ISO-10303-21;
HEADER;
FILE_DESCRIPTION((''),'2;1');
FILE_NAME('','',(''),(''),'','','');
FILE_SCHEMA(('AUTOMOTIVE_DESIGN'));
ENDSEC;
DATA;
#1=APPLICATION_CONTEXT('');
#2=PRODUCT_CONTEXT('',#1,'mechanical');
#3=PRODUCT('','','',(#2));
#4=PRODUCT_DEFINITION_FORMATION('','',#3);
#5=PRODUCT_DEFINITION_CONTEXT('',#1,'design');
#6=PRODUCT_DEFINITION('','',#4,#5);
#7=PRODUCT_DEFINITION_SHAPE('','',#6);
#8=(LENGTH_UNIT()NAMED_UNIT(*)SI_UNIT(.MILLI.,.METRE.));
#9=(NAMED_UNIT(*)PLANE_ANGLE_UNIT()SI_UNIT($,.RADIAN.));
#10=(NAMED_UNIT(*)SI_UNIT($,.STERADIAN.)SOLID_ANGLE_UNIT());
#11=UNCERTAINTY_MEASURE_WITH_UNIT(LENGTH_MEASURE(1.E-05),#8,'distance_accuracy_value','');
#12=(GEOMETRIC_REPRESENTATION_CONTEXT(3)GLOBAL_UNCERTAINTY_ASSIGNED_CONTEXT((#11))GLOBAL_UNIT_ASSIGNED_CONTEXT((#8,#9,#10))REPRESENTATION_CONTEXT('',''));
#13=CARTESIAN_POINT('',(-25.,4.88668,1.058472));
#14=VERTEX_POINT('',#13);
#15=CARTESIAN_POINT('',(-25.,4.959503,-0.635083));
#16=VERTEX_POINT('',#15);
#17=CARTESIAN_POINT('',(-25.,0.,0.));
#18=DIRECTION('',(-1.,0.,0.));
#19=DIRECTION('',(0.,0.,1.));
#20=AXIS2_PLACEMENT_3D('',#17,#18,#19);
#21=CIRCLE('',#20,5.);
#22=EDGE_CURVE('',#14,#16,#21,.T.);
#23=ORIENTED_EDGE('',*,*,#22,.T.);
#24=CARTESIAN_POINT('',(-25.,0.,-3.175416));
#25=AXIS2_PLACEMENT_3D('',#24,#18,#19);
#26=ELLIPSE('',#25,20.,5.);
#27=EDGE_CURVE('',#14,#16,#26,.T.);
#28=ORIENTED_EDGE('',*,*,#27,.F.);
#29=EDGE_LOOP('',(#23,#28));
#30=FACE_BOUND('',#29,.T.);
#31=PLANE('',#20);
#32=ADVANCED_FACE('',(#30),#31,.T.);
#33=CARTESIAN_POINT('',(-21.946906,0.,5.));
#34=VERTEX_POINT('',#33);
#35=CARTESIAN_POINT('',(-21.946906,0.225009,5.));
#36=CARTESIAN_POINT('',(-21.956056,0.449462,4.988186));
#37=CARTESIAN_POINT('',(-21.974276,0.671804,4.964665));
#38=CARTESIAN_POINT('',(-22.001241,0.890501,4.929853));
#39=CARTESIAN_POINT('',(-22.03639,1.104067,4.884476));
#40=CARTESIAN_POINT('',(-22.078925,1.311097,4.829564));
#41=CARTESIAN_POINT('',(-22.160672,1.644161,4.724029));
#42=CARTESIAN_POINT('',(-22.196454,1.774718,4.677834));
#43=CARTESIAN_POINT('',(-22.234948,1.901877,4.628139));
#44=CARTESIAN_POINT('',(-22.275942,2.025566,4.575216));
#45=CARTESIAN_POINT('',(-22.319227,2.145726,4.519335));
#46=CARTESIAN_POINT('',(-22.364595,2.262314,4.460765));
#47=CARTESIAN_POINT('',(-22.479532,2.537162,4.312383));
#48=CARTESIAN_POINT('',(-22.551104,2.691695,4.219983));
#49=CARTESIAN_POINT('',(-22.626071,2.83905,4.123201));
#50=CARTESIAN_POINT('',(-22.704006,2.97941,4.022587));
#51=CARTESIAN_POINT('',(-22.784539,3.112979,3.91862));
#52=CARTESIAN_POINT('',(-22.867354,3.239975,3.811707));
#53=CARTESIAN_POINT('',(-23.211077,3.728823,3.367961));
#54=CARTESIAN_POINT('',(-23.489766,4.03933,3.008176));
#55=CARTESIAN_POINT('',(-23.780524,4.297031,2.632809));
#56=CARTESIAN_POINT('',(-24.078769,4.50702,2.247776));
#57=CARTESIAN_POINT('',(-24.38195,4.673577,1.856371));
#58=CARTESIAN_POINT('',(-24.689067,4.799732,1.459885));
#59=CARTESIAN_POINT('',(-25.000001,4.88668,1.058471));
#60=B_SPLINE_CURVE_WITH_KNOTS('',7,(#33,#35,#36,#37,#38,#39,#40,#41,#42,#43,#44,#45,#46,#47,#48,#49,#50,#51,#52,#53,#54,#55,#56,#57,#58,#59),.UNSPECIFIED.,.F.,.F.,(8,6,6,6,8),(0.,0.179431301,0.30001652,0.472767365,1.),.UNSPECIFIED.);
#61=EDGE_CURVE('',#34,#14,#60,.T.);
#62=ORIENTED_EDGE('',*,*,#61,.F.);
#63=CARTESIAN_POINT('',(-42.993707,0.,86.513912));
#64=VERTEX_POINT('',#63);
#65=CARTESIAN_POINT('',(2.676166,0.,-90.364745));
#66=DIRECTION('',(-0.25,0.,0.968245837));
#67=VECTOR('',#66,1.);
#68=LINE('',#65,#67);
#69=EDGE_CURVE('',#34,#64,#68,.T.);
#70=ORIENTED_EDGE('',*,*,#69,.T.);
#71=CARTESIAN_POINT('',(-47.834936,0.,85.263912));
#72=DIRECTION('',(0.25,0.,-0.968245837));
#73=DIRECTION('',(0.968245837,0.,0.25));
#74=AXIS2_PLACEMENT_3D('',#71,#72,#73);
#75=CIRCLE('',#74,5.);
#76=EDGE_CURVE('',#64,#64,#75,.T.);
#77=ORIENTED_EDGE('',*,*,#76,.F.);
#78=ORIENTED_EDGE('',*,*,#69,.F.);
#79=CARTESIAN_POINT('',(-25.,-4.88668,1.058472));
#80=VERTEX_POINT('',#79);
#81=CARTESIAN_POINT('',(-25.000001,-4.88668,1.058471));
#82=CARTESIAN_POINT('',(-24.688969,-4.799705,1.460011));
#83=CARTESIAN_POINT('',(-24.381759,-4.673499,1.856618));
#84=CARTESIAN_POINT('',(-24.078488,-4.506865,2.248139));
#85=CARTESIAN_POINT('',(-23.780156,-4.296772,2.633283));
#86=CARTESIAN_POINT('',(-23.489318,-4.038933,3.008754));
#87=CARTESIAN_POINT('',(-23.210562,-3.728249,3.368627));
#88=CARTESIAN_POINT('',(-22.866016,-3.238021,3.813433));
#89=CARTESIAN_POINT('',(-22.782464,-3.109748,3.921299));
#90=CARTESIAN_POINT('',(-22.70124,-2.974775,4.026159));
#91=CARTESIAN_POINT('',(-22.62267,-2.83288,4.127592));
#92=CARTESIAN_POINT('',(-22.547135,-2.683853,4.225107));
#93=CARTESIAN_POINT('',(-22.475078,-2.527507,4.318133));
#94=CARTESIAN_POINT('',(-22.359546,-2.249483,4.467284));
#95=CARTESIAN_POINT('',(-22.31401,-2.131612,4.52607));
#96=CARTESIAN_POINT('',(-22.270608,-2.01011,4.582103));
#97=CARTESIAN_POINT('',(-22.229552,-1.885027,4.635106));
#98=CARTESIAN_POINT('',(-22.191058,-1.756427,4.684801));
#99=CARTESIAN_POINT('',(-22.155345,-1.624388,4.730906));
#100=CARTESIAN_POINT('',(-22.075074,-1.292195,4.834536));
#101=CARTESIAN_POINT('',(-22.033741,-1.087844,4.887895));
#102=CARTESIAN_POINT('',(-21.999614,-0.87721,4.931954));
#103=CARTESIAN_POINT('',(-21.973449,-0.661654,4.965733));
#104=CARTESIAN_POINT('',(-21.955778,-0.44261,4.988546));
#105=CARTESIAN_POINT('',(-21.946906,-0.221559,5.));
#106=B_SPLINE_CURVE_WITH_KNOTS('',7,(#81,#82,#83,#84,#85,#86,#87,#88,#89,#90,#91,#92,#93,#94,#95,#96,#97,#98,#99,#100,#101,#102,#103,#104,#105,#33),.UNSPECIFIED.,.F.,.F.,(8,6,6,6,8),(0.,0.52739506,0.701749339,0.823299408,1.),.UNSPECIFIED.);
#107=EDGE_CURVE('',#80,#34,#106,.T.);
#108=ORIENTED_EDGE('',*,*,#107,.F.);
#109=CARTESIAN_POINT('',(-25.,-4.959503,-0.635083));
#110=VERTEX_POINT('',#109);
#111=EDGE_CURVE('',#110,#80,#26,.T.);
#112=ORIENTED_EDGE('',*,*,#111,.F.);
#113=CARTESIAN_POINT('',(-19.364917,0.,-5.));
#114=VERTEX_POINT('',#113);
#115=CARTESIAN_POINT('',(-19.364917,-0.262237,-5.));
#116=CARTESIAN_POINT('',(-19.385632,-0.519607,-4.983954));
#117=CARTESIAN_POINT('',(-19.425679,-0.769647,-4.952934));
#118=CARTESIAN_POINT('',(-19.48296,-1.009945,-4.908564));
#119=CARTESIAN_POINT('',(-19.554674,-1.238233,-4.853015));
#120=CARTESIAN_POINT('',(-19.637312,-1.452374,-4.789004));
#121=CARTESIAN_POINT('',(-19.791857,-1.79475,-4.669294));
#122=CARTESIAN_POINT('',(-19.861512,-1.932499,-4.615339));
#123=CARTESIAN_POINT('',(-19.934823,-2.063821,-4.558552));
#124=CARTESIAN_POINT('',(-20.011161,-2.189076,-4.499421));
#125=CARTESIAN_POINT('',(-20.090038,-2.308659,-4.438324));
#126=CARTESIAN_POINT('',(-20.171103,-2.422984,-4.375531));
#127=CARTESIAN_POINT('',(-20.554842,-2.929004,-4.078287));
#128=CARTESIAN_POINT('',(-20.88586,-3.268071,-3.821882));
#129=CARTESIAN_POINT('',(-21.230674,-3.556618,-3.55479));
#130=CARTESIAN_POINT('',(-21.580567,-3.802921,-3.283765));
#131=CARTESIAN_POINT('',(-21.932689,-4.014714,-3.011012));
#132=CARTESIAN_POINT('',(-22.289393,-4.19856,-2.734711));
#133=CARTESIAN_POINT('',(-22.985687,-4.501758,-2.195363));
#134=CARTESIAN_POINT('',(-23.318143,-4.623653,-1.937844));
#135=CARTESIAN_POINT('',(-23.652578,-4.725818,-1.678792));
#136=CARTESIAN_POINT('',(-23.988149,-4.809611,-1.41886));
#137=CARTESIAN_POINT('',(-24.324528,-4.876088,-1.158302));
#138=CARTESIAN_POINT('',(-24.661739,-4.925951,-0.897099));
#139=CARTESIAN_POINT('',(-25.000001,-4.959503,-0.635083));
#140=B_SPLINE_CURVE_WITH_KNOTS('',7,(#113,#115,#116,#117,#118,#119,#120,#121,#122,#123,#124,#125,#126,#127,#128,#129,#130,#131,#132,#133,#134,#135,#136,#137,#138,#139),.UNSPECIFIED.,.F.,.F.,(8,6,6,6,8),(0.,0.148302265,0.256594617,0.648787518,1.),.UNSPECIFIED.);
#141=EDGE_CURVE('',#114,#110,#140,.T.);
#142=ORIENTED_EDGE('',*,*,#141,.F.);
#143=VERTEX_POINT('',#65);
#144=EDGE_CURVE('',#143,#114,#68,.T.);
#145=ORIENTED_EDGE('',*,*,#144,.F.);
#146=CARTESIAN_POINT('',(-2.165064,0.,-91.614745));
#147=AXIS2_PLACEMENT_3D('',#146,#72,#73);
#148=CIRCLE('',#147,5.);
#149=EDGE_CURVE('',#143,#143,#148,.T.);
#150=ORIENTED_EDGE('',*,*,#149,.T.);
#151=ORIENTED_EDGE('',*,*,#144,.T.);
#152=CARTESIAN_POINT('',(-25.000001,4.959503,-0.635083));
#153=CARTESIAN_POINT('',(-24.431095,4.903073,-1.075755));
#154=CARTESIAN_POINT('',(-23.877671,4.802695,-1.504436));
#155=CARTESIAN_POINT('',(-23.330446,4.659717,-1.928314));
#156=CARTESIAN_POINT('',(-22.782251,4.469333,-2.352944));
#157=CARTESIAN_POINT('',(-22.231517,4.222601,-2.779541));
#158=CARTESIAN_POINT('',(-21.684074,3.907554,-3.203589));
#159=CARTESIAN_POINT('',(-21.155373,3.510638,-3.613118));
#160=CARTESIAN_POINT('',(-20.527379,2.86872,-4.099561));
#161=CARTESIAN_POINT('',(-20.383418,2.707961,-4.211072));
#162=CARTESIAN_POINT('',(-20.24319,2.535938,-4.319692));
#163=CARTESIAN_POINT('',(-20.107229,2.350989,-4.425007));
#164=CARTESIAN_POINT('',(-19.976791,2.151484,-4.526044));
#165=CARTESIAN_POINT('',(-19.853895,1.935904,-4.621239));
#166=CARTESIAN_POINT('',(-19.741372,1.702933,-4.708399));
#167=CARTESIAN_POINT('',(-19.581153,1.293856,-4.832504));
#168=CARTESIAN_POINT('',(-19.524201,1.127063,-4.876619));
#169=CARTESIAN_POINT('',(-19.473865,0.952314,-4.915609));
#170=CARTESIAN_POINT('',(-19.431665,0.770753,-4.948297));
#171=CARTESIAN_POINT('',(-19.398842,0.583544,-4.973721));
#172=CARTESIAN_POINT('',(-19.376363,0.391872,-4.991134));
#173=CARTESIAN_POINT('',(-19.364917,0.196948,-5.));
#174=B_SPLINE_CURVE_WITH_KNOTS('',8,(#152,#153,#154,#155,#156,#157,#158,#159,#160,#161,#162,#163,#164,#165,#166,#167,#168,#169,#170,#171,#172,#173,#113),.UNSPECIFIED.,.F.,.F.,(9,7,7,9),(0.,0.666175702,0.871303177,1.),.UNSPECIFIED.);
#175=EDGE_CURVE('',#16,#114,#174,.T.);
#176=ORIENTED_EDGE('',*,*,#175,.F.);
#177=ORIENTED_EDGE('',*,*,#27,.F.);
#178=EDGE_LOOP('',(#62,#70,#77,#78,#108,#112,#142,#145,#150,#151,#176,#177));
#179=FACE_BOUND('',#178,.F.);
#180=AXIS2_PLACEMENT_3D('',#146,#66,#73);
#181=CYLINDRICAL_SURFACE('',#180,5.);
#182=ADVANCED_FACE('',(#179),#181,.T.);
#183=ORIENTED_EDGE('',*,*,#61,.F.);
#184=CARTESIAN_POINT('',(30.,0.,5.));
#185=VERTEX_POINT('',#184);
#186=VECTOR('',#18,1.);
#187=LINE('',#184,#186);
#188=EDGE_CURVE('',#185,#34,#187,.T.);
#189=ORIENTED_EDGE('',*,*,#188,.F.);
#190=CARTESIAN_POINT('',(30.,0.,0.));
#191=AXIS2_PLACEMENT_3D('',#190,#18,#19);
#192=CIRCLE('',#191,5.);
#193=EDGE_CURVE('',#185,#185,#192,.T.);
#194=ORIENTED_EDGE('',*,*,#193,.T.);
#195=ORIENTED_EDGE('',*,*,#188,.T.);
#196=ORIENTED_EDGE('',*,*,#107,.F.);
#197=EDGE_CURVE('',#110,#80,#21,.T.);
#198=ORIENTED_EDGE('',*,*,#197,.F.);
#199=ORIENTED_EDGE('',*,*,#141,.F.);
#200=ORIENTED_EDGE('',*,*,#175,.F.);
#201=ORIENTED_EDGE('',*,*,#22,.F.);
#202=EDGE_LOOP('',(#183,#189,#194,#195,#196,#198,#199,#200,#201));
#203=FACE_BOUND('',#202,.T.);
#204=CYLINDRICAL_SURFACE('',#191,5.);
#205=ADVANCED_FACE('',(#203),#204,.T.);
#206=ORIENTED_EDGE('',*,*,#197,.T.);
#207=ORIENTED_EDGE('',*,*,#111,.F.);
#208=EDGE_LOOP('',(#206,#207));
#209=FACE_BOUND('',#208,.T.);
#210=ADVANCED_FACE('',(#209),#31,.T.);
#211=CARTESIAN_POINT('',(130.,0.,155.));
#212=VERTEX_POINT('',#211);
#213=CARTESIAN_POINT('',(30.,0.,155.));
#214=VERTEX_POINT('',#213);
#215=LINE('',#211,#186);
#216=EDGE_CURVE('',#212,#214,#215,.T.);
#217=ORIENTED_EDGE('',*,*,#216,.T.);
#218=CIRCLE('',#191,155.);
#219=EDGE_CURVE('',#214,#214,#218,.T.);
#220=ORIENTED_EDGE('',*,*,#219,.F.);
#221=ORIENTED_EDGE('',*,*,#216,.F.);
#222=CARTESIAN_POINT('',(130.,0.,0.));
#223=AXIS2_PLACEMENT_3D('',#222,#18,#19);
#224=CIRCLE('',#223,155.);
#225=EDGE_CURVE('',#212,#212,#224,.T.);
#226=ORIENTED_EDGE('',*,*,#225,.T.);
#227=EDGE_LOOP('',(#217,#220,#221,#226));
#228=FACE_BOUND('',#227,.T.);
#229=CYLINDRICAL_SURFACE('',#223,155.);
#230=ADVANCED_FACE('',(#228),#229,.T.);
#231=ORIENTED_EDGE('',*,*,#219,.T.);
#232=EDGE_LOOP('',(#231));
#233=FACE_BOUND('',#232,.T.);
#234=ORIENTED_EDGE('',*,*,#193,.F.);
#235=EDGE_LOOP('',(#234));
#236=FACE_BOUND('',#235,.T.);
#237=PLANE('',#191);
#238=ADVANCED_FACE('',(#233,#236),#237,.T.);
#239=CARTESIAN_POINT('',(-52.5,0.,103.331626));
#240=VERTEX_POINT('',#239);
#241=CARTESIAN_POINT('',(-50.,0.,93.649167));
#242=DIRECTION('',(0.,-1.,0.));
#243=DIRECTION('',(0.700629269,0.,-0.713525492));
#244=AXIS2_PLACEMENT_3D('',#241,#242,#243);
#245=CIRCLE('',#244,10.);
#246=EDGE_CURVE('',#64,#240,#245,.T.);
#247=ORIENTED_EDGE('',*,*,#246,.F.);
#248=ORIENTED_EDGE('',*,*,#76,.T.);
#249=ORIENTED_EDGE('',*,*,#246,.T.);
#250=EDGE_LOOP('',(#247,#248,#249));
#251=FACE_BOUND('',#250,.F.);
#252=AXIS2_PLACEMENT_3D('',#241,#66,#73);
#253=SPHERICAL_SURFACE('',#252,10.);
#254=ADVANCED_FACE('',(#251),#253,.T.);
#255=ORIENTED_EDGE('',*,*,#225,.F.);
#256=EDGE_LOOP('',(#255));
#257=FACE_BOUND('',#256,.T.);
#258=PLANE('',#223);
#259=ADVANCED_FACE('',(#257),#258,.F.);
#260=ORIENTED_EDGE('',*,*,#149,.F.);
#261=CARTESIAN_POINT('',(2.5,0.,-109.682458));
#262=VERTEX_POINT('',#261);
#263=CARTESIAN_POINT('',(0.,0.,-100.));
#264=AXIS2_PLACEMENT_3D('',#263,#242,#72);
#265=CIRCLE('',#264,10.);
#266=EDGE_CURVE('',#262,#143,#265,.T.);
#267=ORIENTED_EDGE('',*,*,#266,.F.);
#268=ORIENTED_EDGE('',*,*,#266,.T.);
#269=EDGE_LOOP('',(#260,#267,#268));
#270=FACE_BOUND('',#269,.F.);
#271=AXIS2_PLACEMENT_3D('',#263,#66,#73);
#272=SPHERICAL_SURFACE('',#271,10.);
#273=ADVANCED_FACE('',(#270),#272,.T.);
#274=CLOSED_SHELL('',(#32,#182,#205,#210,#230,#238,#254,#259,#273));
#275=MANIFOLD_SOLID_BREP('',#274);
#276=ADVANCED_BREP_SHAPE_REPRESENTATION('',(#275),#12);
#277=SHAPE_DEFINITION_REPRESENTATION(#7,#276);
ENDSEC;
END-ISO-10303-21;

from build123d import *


with BuildPart() as f1:
    # F0 (on Front) → F1 (revolve)
    with BuildSketch(Plane.XZ):
        with BuildLine():
            Line((2.6761656733, -90.3647450844), (-42.9937073078, 86.5139123947))
            ThreePointArc((-42.9937073078, 86.5139123947), (-41.2945110155, 98.5699865045), (-52.5, 103.3316256759))
            Line((-52.5, 103.3316256759), (2.5, -109.6824583655))
            ThreePointArc((2.5, -109.6824583655), (9.99958421, -100.0911900627), (2.6761656733, -90.3647450844))
        make_face()
    revolve(axis=Axis((-25, 0, -3.1754163448), (0.25, 0, -0.9682458366)))

    # F2 (on Front) → F3 (revolve)
    with BuildSketch(Plane.XZ):
        Polygon((30, 5), (-25, 5), (-25, 0), (130, 0), (130, 155), (30, 155), align=None)
    revolve(axis=Axis((52.5, 0, 0), (-1, 0, 0)))


solid = f1.part
